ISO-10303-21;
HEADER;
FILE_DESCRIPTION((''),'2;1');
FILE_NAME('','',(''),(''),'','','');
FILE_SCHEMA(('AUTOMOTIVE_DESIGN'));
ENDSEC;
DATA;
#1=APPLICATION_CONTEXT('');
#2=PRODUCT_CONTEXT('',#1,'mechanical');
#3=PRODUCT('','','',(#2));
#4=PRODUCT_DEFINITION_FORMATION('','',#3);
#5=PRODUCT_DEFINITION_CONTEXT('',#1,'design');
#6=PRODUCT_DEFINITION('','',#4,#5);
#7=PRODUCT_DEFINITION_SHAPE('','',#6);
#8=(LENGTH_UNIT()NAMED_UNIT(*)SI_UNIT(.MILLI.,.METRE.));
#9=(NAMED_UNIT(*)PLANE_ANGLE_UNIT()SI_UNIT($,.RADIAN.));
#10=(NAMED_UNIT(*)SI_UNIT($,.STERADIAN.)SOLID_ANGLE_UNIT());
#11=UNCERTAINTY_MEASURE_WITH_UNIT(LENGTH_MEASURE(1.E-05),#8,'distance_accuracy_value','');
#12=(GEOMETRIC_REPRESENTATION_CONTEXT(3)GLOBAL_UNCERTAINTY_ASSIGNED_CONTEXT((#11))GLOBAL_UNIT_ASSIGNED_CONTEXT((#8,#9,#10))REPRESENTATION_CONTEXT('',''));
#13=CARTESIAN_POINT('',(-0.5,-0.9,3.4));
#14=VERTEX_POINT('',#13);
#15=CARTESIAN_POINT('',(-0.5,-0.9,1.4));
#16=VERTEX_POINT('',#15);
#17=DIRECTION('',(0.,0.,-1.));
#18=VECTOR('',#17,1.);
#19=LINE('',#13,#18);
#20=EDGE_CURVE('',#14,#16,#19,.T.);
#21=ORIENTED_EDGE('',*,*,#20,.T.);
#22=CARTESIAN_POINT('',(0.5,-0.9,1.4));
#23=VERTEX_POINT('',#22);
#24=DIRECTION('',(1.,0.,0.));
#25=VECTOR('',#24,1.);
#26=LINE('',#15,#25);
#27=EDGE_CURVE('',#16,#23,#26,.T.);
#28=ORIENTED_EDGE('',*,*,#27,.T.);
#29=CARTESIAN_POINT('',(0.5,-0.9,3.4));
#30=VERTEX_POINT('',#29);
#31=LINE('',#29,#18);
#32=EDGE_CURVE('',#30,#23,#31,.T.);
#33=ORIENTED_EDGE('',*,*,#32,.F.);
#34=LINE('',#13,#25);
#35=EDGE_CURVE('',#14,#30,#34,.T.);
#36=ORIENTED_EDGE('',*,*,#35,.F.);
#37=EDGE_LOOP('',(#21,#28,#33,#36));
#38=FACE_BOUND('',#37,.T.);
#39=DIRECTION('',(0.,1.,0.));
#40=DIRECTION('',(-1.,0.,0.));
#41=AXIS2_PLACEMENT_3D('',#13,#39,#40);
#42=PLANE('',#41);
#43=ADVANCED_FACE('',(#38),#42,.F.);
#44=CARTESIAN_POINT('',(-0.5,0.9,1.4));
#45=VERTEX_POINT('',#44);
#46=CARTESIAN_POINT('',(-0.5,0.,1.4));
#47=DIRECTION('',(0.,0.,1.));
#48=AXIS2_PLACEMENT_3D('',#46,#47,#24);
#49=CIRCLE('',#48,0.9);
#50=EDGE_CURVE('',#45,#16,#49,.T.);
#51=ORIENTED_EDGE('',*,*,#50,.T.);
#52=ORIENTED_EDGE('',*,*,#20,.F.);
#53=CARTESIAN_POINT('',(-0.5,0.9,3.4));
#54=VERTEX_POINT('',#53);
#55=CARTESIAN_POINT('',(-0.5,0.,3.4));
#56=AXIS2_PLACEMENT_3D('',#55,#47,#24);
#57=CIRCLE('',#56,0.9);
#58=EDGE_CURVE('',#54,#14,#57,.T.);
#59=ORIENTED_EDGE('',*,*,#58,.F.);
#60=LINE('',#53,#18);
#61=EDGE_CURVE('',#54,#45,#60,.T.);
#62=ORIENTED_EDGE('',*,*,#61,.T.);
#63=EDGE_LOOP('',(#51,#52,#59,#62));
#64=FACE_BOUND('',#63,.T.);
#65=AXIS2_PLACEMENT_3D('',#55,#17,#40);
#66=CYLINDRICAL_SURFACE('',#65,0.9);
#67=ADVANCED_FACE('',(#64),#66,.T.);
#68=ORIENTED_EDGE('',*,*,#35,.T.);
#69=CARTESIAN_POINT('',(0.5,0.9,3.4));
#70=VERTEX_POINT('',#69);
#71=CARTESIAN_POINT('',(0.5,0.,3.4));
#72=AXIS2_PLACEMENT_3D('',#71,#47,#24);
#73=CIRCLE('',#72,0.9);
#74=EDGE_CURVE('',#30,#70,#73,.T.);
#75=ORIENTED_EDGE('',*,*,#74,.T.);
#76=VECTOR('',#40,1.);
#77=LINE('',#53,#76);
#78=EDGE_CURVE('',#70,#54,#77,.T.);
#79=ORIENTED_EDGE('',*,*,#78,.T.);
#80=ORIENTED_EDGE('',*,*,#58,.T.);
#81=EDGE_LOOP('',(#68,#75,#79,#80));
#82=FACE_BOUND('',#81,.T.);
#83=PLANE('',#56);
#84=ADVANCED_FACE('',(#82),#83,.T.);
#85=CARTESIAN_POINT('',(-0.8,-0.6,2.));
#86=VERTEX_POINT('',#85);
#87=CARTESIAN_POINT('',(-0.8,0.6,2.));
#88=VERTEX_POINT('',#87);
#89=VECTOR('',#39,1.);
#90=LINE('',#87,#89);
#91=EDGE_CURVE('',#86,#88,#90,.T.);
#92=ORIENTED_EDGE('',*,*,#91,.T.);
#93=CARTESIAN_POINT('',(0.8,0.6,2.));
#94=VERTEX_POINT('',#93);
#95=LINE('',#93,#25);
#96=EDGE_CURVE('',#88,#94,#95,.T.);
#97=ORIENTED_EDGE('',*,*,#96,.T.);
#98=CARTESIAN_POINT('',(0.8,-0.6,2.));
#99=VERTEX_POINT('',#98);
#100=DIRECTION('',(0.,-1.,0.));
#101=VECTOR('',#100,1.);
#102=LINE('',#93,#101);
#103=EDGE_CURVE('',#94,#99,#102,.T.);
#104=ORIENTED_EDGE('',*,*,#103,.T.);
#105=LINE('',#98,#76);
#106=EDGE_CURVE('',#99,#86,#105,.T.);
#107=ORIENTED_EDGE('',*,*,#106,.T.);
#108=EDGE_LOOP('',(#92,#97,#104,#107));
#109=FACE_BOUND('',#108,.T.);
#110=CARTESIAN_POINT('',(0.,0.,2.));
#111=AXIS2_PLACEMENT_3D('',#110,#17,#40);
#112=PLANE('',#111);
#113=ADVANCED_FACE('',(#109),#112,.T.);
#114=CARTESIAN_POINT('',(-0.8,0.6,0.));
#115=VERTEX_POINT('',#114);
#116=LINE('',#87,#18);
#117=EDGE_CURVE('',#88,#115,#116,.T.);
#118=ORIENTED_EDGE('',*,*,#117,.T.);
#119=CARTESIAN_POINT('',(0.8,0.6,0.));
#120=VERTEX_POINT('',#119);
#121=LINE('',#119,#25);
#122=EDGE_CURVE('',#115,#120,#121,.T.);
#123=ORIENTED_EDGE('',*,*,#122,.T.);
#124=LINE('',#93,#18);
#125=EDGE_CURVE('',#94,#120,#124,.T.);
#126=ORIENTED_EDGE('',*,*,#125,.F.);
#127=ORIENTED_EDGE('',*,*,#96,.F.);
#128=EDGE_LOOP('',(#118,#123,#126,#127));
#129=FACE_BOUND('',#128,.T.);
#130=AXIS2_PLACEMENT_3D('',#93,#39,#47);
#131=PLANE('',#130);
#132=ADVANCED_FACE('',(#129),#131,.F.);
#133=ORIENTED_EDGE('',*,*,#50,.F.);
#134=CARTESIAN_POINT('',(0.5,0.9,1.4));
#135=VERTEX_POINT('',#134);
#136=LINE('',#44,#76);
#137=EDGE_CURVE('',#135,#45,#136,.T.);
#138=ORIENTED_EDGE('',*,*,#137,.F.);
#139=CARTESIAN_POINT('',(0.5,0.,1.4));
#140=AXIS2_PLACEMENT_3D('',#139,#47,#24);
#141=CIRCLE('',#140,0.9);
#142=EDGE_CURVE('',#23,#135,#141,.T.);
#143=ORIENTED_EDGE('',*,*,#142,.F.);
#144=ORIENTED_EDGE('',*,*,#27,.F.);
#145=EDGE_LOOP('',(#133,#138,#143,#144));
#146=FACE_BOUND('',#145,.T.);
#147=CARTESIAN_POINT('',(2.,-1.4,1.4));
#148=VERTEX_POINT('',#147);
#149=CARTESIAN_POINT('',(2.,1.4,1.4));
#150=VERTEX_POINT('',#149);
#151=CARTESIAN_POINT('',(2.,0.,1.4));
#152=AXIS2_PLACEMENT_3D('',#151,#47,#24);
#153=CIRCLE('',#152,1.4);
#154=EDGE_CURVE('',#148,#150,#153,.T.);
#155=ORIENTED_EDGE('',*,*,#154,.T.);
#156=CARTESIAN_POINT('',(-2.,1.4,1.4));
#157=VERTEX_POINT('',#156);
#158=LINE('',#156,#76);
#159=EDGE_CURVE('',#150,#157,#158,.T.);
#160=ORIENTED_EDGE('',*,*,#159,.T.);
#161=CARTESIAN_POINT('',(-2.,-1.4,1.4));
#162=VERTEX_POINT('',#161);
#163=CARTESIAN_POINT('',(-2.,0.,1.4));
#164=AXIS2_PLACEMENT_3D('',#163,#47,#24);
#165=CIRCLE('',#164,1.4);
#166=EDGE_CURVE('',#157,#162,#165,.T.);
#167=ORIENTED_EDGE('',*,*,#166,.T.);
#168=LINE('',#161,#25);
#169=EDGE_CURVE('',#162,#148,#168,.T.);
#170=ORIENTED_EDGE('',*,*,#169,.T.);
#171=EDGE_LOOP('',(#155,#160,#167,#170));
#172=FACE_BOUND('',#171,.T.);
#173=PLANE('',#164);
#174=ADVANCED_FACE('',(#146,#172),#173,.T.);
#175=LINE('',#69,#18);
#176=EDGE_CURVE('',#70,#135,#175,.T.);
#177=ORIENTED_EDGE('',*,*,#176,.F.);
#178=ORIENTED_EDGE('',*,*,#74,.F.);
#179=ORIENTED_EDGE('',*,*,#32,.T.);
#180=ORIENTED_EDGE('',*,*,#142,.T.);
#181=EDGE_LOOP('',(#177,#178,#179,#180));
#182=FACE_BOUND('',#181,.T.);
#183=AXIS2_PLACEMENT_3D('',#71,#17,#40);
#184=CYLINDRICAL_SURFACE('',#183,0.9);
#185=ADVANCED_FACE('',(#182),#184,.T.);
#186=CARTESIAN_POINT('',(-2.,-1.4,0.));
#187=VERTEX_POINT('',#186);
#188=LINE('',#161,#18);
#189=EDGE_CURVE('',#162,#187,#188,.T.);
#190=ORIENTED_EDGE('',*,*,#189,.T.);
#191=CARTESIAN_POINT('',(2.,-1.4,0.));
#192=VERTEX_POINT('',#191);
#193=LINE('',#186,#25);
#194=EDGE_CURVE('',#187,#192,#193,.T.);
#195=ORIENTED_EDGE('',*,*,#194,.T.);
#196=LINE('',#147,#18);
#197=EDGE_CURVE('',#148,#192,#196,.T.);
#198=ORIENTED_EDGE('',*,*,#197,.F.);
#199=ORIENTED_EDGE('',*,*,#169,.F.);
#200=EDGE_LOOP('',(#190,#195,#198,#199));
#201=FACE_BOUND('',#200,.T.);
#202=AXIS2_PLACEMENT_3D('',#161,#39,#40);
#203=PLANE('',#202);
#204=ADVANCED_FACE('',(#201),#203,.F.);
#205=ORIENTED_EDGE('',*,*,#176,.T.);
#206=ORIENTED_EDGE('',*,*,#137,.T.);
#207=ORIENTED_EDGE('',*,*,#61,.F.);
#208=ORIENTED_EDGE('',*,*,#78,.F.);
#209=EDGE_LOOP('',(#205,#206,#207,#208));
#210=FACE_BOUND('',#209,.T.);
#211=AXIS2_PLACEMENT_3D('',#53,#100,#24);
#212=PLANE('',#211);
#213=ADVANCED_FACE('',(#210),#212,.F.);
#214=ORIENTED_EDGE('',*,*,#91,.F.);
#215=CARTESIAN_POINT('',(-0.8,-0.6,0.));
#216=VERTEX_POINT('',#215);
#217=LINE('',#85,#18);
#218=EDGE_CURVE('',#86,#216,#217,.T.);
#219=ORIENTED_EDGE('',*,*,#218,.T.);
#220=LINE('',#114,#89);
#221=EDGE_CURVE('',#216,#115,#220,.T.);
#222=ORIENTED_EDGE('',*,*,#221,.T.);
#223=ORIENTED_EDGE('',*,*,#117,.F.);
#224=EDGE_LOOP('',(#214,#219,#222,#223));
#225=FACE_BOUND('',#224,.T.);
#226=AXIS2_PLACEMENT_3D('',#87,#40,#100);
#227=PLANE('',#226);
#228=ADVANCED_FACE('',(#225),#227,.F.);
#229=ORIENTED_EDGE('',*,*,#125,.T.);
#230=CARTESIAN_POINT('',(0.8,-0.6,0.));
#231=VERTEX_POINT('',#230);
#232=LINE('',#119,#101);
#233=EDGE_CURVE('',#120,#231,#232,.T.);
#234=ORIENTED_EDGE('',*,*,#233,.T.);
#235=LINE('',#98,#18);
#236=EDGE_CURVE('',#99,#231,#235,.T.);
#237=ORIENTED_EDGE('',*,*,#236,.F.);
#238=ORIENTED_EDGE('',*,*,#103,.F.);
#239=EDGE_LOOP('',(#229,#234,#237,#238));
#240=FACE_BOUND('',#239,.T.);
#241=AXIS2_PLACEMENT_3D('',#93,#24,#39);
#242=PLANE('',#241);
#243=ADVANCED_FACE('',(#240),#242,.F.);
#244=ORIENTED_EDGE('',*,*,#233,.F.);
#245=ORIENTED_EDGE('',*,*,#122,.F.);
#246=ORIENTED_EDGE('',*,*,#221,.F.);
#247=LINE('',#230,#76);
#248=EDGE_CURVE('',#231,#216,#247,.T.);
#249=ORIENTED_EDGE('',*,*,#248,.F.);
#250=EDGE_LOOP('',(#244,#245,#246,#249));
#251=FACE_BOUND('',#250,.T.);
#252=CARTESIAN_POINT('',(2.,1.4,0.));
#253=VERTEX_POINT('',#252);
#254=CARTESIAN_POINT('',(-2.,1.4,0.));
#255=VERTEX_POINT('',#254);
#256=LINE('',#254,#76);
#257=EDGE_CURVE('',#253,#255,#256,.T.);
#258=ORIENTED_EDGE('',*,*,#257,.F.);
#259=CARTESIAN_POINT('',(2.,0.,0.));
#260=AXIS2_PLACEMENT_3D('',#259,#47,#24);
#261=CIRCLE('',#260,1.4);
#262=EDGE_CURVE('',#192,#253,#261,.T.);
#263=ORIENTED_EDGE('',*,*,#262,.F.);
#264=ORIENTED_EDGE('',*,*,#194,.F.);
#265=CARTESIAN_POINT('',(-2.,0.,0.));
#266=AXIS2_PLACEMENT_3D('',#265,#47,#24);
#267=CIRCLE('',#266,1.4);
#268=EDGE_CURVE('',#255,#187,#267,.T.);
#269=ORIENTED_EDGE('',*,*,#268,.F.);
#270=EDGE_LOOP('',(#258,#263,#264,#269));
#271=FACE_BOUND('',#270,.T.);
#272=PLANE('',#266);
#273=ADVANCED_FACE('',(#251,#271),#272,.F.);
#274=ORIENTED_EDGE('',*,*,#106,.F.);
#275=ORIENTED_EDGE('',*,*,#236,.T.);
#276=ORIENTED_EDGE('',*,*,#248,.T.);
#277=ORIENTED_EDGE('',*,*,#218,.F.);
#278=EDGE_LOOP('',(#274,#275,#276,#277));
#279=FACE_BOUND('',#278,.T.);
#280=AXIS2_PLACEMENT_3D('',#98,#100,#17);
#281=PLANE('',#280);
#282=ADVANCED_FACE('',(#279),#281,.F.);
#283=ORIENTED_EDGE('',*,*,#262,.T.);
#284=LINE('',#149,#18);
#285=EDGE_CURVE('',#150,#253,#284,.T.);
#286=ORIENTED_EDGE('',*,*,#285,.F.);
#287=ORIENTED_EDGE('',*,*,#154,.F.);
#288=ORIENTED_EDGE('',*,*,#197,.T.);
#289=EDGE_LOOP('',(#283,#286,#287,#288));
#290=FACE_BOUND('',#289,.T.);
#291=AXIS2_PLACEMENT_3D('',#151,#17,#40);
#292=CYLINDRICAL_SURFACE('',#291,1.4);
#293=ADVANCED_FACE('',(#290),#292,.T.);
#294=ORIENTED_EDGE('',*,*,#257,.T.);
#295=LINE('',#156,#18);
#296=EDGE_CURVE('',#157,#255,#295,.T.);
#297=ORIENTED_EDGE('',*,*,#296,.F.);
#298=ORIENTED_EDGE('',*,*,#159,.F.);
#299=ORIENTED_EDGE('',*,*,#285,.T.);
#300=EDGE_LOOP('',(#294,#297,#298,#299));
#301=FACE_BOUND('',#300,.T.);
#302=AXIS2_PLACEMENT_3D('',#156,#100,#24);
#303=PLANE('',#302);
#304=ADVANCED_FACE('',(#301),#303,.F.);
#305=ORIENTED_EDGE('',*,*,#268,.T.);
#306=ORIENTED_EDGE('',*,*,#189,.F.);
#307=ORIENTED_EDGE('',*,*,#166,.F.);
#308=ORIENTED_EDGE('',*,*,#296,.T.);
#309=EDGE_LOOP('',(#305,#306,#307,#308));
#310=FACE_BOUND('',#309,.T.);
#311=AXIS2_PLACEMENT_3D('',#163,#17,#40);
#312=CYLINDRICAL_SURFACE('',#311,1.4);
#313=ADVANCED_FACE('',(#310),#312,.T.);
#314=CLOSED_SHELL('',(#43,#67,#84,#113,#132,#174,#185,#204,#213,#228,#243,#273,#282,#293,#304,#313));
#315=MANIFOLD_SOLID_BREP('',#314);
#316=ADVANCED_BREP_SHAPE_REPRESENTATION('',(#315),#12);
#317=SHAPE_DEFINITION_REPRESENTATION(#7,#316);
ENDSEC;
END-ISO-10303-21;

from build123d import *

# Parameters (mm, degrees)
EXTRUDE_1_DEPTH     = 1.4
EXTRUDE_2_DEPTH     = 2
SKETCH_4_W          = 1.6
SKETCH_4_H          = 1.2
CUT_EXTRUDE_1_DEPTH = 2


with BuildPart() as part:
    # 草图2 → 凸台-拉伸1 (new body)
    with BuildSketch(Plane.XY):
        with BuildLine():
            Line((-2, 1.4), (2, 1.4))
            ThreePointArc((2, 1.4), (3.4, 0), (2, -1.4))
            Line((2, -1.4), (-2, -1.4))
            ThreePointArc((-2, -1.4), (-3.4, 0), (-2, 1.4))
        make_face()
    extrude(amount=EXTRUDE_1_DEPTH)

    # 草图3 → 凸台-拉伸2 (add)
    with BuildSketch(Plane.XY.offset(1.4)):
        with BuildLine():
            Line((-0.5, 0.9), (0.5, 0.9))
            ThreePointArc((0.5, 0.9), (1.4, 0), (0.5, -0.9))
            Line((0.5, -0.9), (-0.5, -0.9))
            ThreePointArc((-0.5, -0.9), (-1.4, 0), (-0.5, 0.9))
        make_face()
    extrude(amount=EXTRUDE_2_DEPTH)

    # 草图4 → 切除-拉伸1 (cut)
    with BuildSketch(Plane(origin=(0, 0, 0), x_dir=(-1, 0, 0), z_dir=(0, 0, -1))):
        Rectangle(SKETCH_4_W, SKETCH_4_H)
    extrude(amount=-CUT_EXTRUDE_1_DEPTH, mode=Mode.SUBTRACT)


solid = part.part
